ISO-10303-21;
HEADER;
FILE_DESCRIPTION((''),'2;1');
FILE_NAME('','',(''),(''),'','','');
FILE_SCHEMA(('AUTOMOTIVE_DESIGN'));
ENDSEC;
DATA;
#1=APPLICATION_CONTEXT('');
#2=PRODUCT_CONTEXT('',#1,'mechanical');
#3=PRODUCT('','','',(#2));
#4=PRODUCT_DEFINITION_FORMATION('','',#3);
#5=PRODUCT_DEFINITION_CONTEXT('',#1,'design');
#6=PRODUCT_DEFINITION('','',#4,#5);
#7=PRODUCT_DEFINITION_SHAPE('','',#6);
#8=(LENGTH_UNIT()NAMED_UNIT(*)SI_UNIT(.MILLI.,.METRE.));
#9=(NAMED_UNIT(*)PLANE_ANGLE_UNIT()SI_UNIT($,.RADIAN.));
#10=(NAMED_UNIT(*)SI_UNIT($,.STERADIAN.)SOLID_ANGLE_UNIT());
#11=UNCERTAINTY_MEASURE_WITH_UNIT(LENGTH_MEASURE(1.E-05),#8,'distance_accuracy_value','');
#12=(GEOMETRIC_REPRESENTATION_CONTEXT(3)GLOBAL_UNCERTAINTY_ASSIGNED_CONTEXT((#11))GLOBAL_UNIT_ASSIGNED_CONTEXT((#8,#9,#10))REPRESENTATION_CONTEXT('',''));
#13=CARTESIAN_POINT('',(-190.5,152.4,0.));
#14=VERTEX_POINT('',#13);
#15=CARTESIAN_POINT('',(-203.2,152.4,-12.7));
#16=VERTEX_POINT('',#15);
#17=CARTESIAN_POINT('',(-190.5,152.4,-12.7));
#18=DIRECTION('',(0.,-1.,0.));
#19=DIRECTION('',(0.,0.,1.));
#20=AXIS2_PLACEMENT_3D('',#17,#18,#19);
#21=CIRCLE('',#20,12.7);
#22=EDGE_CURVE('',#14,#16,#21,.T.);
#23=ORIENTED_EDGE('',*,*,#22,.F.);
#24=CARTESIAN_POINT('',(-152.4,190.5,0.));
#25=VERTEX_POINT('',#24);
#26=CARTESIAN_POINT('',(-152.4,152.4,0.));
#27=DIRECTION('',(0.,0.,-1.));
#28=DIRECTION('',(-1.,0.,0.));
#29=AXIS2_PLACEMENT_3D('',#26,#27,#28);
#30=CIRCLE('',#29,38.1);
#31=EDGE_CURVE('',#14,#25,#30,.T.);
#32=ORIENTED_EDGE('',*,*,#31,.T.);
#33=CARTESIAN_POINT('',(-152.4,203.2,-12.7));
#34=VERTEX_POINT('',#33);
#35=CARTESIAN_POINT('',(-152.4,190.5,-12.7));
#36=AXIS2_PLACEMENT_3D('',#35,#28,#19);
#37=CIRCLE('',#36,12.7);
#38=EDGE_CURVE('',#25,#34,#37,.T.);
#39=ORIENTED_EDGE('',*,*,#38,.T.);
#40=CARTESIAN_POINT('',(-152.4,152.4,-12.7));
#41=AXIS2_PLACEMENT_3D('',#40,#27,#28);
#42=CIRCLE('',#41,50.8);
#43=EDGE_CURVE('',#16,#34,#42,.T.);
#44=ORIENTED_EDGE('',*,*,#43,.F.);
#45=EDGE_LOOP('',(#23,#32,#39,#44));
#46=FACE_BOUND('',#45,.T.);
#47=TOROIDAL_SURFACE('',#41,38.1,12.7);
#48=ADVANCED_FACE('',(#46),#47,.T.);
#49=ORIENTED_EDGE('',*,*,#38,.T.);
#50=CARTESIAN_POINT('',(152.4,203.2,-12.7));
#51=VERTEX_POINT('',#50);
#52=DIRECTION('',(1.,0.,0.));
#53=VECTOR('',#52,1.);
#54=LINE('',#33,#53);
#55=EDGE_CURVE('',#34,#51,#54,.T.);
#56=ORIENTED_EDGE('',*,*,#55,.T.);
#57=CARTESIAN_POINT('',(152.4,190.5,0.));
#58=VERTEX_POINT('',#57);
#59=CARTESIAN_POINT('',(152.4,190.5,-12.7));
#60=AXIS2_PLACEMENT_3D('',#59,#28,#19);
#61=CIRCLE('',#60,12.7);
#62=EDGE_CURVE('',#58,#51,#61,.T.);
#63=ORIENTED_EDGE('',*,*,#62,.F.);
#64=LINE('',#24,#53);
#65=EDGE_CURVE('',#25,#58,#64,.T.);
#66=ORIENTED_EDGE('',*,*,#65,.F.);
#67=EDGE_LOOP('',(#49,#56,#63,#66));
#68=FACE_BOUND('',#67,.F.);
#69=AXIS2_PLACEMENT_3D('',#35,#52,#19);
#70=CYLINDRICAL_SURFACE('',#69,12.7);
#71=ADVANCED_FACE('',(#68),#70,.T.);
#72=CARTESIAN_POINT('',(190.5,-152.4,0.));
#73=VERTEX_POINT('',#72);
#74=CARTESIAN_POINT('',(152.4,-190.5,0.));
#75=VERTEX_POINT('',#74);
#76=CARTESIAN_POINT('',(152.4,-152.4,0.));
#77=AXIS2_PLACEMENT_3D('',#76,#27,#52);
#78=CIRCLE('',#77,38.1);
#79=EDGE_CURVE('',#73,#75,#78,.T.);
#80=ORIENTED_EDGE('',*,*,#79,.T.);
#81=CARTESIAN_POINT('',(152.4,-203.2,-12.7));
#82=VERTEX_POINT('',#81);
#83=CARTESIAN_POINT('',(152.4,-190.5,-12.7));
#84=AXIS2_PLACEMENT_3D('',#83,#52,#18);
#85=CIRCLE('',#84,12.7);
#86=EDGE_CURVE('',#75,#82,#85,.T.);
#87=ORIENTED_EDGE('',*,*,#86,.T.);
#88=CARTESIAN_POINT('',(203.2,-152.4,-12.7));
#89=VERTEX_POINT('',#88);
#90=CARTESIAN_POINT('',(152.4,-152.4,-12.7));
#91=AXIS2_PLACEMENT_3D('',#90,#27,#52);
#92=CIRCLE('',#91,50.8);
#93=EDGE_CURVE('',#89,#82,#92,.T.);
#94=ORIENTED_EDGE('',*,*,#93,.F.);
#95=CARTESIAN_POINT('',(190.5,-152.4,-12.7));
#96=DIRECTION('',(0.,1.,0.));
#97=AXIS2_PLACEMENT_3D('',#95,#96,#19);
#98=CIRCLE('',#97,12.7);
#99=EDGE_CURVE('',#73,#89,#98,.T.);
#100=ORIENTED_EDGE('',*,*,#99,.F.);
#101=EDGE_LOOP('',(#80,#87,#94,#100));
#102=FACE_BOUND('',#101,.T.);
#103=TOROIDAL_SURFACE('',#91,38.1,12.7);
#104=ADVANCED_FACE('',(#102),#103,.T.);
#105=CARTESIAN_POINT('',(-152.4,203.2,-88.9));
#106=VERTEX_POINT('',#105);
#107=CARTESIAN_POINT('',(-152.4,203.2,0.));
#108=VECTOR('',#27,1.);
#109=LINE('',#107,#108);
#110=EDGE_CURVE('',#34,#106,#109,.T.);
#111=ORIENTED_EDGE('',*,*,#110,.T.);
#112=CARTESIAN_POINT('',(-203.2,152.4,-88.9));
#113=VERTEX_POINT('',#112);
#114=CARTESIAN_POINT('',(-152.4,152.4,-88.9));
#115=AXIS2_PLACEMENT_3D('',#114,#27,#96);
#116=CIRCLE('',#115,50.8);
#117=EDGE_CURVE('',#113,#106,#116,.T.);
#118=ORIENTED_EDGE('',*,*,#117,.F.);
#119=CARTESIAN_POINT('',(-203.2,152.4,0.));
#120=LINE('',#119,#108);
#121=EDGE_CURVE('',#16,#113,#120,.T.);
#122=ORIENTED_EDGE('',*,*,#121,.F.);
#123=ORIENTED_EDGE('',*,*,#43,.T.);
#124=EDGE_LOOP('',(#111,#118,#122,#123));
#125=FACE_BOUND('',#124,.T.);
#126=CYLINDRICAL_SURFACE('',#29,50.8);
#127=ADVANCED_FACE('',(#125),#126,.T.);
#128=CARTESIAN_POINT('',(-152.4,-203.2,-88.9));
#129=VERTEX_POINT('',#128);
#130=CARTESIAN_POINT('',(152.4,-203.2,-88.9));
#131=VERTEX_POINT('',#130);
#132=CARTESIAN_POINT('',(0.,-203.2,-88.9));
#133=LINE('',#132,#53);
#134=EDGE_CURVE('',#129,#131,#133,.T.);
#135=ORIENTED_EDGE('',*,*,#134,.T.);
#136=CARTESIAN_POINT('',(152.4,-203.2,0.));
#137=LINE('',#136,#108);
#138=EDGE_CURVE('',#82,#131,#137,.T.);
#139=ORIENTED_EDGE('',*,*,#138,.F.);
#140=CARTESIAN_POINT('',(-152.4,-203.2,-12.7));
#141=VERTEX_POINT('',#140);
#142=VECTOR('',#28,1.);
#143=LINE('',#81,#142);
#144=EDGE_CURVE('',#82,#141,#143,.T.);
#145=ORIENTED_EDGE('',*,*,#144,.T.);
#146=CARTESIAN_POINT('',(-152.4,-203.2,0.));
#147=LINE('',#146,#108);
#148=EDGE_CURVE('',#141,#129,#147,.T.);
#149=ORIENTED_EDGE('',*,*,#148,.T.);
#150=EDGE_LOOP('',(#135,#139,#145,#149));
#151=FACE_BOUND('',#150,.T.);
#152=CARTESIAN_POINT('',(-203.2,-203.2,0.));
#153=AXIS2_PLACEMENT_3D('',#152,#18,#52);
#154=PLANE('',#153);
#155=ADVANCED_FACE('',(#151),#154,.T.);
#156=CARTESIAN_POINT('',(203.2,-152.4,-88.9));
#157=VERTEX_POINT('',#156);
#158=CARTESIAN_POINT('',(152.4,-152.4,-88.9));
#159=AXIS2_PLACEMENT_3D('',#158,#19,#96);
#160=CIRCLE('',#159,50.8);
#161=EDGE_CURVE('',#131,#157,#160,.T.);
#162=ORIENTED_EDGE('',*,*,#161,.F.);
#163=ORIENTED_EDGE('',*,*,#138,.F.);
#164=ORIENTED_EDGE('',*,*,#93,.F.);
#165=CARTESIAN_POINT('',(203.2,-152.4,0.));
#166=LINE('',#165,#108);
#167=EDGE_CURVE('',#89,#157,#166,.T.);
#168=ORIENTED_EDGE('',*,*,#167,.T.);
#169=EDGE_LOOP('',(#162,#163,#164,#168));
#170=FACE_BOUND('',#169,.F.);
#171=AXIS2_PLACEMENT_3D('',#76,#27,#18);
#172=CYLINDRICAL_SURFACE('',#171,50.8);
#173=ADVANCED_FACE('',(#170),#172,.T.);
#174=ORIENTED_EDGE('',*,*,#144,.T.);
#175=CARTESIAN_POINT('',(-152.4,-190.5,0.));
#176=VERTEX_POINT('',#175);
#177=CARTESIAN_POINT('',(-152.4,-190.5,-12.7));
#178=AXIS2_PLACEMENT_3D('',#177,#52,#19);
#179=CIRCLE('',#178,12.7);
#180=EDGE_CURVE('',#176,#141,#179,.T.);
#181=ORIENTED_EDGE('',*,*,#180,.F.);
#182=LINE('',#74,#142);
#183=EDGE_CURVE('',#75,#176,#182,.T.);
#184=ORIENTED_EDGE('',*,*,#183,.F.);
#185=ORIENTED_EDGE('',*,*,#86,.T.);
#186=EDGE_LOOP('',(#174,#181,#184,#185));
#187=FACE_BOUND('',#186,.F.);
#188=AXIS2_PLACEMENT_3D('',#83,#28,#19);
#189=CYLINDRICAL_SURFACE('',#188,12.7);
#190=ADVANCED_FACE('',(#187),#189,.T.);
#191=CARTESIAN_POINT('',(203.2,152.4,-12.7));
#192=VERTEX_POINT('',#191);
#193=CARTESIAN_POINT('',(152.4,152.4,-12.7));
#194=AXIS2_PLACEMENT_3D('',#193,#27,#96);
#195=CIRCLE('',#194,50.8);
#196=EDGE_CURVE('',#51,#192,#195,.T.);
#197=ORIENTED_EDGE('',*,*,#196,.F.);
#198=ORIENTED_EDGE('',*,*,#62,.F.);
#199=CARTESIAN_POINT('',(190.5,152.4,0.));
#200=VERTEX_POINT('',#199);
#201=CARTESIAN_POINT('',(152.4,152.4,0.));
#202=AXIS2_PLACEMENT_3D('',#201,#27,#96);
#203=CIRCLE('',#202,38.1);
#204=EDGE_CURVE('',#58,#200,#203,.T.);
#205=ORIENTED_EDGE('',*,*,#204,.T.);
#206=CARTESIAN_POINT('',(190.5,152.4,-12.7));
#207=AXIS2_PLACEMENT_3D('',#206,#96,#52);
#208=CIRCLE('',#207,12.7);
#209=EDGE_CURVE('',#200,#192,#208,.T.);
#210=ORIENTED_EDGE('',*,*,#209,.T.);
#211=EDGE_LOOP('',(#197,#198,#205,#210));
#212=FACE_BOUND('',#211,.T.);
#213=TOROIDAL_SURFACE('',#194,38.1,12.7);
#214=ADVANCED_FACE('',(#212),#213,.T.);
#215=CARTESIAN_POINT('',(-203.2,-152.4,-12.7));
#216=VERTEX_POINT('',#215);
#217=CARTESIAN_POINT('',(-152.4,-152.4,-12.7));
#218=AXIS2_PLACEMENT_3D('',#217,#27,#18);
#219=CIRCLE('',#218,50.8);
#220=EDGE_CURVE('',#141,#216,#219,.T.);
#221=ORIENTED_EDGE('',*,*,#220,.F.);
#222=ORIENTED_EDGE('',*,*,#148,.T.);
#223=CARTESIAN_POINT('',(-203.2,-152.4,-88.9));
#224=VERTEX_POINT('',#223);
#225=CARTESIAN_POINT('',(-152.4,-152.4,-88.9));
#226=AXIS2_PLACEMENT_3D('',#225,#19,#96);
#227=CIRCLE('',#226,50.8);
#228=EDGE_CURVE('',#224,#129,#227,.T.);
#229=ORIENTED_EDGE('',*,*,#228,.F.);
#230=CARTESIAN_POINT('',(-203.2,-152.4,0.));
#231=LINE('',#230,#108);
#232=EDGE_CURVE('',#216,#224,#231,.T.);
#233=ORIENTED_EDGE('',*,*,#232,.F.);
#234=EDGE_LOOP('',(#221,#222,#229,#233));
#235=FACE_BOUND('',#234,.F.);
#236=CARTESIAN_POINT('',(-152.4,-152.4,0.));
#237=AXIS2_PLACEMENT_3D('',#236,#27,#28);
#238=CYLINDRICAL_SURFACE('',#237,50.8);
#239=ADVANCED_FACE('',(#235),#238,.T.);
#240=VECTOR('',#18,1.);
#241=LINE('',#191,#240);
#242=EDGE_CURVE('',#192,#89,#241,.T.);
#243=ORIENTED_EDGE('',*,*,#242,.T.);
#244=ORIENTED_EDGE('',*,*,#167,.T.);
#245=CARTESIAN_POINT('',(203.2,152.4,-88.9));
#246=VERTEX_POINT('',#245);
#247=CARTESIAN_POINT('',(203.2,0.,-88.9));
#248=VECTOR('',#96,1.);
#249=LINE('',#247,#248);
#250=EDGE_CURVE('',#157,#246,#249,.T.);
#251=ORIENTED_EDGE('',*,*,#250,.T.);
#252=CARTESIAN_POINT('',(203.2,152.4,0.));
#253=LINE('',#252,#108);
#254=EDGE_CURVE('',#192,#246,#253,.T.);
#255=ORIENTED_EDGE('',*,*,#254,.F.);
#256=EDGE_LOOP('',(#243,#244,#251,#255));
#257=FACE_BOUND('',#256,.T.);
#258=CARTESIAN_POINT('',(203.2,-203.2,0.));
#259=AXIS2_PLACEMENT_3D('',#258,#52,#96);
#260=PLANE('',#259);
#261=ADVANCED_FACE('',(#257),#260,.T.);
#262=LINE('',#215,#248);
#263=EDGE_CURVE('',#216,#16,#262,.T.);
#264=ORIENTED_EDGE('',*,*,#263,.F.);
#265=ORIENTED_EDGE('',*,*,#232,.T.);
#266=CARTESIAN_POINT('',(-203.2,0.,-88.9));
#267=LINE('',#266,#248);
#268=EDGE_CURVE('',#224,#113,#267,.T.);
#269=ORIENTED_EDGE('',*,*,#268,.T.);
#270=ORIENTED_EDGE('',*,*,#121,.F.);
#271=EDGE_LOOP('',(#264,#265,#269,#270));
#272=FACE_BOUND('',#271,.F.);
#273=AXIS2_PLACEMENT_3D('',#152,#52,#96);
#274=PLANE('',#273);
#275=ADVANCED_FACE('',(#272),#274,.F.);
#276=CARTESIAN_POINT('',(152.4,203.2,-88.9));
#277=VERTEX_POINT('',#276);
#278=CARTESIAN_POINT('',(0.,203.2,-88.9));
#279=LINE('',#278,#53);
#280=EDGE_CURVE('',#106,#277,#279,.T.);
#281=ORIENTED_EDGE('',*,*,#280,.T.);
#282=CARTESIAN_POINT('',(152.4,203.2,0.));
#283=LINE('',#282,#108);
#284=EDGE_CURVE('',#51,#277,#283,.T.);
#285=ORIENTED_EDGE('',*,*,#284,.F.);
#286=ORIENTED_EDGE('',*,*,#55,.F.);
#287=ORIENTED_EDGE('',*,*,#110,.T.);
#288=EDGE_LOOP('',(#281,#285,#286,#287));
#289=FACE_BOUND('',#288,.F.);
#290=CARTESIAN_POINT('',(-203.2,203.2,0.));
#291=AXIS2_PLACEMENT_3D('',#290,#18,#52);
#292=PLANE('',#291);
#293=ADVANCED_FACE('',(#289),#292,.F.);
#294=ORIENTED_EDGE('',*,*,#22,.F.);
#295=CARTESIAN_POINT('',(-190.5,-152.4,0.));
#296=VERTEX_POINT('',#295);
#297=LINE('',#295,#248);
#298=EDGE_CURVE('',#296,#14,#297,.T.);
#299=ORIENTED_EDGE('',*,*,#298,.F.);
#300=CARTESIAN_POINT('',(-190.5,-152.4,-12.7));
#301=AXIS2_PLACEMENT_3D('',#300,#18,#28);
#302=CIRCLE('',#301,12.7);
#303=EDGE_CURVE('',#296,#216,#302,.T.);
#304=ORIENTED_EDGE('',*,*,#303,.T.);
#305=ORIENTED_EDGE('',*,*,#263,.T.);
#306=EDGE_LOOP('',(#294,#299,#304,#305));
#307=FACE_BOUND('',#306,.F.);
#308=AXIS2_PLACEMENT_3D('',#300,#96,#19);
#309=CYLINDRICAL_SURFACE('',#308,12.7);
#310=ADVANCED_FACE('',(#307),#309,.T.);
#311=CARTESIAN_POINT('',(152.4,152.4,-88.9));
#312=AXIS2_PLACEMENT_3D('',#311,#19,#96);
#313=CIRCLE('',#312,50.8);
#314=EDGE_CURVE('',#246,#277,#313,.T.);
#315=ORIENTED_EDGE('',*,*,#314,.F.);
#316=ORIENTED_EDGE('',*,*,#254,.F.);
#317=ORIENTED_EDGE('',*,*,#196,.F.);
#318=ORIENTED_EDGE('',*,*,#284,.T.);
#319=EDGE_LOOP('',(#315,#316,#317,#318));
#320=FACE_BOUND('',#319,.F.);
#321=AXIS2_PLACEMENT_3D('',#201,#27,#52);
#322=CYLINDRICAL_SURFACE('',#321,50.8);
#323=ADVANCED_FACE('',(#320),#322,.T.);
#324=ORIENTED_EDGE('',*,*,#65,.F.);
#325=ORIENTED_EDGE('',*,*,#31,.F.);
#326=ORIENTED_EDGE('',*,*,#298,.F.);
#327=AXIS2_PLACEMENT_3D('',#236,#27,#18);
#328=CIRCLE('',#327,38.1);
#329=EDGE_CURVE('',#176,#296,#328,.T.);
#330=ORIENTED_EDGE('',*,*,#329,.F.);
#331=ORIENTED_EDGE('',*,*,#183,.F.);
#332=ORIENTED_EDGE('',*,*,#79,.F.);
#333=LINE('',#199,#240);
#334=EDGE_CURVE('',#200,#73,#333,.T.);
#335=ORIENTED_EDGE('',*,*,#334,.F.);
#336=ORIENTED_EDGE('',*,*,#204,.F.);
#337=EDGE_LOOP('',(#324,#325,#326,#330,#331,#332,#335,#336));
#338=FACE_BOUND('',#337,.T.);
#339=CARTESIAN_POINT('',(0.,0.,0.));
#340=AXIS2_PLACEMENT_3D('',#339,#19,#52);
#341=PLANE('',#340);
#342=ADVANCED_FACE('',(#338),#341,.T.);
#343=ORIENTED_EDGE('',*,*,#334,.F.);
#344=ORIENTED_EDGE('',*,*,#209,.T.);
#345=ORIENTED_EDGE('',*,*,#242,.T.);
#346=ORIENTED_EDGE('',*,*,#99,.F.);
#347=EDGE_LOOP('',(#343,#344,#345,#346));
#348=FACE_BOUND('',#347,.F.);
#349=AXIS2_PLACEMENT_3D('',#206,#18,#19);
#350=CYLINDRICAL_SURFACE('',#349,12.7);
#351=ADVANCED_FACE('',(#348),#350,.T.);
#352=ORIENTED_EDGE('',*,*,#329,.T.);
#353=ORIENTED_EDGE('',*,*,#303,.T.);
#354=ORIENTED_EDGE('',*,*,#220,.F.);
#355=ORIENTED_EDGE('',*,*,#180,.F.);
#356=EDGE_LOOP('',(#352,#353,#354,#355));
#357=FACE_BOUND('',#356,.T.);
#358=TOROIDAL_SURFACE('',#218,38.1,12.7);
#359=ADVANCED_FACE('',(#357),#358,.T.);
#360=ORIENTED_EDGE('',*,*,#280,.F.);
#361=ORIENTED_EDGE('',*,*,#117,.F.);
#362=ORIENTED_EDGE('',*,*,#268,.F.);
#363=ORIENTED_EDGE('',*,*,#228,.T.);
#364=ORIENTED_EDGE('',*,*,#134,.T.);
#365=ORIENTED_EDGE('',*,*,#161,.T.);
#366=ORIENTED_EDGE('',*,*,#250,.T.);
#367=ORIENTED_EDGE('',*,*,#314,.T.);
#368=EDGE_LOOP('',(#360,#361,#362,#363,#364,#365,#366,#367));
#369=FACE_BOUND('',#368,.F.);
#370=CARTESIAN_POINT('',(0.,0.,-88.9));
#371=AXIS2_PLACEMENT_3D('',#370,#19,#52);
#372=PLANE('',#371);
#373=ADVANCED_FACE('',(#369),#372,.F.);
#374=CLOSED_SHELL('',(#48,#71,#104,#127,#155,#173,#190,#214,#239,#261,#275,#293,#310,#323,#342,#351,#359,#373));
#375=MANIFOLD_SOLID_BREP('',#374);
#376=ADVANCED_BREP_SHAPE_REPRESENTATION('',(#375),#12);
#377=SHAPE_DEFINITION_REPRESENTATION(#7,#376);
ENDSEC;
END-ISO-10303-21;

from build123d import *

# Parameters (mm, degrees)
F0_W     = 406.4
F0_H     = 406.4
F1_DEPTH = 88.9
F2_R     = 50.8
F3_R     = 12.7


with BuildPart() as f1:
    # F0 (on Top) → F1 (new body)
    with BuildSketch(Plane.XY):
        Rectangle(F0_W, F0_H)
    extrude(amount=-F1_DEPTH)

    # F2
    f2_edges = [f1.edges().sort_by_distance(p)[0] for p in [
        (-203.2, -203.2, -44.45),
        (203.2, -203.2, -44.45),
        (203.2, 203.2, -44.45),
        (-203.2, 203.2, -44.45),
    ]]
    fillet(f2_edges, radius=F2_R)

    # F3
    f3_edges = [f1.edges().sort_by_distance(p)[0] for p in [
        (0, 203.2, 0),
    ]]
    fillet(f3_edges, radius=F3_R)


solid = f1.part
